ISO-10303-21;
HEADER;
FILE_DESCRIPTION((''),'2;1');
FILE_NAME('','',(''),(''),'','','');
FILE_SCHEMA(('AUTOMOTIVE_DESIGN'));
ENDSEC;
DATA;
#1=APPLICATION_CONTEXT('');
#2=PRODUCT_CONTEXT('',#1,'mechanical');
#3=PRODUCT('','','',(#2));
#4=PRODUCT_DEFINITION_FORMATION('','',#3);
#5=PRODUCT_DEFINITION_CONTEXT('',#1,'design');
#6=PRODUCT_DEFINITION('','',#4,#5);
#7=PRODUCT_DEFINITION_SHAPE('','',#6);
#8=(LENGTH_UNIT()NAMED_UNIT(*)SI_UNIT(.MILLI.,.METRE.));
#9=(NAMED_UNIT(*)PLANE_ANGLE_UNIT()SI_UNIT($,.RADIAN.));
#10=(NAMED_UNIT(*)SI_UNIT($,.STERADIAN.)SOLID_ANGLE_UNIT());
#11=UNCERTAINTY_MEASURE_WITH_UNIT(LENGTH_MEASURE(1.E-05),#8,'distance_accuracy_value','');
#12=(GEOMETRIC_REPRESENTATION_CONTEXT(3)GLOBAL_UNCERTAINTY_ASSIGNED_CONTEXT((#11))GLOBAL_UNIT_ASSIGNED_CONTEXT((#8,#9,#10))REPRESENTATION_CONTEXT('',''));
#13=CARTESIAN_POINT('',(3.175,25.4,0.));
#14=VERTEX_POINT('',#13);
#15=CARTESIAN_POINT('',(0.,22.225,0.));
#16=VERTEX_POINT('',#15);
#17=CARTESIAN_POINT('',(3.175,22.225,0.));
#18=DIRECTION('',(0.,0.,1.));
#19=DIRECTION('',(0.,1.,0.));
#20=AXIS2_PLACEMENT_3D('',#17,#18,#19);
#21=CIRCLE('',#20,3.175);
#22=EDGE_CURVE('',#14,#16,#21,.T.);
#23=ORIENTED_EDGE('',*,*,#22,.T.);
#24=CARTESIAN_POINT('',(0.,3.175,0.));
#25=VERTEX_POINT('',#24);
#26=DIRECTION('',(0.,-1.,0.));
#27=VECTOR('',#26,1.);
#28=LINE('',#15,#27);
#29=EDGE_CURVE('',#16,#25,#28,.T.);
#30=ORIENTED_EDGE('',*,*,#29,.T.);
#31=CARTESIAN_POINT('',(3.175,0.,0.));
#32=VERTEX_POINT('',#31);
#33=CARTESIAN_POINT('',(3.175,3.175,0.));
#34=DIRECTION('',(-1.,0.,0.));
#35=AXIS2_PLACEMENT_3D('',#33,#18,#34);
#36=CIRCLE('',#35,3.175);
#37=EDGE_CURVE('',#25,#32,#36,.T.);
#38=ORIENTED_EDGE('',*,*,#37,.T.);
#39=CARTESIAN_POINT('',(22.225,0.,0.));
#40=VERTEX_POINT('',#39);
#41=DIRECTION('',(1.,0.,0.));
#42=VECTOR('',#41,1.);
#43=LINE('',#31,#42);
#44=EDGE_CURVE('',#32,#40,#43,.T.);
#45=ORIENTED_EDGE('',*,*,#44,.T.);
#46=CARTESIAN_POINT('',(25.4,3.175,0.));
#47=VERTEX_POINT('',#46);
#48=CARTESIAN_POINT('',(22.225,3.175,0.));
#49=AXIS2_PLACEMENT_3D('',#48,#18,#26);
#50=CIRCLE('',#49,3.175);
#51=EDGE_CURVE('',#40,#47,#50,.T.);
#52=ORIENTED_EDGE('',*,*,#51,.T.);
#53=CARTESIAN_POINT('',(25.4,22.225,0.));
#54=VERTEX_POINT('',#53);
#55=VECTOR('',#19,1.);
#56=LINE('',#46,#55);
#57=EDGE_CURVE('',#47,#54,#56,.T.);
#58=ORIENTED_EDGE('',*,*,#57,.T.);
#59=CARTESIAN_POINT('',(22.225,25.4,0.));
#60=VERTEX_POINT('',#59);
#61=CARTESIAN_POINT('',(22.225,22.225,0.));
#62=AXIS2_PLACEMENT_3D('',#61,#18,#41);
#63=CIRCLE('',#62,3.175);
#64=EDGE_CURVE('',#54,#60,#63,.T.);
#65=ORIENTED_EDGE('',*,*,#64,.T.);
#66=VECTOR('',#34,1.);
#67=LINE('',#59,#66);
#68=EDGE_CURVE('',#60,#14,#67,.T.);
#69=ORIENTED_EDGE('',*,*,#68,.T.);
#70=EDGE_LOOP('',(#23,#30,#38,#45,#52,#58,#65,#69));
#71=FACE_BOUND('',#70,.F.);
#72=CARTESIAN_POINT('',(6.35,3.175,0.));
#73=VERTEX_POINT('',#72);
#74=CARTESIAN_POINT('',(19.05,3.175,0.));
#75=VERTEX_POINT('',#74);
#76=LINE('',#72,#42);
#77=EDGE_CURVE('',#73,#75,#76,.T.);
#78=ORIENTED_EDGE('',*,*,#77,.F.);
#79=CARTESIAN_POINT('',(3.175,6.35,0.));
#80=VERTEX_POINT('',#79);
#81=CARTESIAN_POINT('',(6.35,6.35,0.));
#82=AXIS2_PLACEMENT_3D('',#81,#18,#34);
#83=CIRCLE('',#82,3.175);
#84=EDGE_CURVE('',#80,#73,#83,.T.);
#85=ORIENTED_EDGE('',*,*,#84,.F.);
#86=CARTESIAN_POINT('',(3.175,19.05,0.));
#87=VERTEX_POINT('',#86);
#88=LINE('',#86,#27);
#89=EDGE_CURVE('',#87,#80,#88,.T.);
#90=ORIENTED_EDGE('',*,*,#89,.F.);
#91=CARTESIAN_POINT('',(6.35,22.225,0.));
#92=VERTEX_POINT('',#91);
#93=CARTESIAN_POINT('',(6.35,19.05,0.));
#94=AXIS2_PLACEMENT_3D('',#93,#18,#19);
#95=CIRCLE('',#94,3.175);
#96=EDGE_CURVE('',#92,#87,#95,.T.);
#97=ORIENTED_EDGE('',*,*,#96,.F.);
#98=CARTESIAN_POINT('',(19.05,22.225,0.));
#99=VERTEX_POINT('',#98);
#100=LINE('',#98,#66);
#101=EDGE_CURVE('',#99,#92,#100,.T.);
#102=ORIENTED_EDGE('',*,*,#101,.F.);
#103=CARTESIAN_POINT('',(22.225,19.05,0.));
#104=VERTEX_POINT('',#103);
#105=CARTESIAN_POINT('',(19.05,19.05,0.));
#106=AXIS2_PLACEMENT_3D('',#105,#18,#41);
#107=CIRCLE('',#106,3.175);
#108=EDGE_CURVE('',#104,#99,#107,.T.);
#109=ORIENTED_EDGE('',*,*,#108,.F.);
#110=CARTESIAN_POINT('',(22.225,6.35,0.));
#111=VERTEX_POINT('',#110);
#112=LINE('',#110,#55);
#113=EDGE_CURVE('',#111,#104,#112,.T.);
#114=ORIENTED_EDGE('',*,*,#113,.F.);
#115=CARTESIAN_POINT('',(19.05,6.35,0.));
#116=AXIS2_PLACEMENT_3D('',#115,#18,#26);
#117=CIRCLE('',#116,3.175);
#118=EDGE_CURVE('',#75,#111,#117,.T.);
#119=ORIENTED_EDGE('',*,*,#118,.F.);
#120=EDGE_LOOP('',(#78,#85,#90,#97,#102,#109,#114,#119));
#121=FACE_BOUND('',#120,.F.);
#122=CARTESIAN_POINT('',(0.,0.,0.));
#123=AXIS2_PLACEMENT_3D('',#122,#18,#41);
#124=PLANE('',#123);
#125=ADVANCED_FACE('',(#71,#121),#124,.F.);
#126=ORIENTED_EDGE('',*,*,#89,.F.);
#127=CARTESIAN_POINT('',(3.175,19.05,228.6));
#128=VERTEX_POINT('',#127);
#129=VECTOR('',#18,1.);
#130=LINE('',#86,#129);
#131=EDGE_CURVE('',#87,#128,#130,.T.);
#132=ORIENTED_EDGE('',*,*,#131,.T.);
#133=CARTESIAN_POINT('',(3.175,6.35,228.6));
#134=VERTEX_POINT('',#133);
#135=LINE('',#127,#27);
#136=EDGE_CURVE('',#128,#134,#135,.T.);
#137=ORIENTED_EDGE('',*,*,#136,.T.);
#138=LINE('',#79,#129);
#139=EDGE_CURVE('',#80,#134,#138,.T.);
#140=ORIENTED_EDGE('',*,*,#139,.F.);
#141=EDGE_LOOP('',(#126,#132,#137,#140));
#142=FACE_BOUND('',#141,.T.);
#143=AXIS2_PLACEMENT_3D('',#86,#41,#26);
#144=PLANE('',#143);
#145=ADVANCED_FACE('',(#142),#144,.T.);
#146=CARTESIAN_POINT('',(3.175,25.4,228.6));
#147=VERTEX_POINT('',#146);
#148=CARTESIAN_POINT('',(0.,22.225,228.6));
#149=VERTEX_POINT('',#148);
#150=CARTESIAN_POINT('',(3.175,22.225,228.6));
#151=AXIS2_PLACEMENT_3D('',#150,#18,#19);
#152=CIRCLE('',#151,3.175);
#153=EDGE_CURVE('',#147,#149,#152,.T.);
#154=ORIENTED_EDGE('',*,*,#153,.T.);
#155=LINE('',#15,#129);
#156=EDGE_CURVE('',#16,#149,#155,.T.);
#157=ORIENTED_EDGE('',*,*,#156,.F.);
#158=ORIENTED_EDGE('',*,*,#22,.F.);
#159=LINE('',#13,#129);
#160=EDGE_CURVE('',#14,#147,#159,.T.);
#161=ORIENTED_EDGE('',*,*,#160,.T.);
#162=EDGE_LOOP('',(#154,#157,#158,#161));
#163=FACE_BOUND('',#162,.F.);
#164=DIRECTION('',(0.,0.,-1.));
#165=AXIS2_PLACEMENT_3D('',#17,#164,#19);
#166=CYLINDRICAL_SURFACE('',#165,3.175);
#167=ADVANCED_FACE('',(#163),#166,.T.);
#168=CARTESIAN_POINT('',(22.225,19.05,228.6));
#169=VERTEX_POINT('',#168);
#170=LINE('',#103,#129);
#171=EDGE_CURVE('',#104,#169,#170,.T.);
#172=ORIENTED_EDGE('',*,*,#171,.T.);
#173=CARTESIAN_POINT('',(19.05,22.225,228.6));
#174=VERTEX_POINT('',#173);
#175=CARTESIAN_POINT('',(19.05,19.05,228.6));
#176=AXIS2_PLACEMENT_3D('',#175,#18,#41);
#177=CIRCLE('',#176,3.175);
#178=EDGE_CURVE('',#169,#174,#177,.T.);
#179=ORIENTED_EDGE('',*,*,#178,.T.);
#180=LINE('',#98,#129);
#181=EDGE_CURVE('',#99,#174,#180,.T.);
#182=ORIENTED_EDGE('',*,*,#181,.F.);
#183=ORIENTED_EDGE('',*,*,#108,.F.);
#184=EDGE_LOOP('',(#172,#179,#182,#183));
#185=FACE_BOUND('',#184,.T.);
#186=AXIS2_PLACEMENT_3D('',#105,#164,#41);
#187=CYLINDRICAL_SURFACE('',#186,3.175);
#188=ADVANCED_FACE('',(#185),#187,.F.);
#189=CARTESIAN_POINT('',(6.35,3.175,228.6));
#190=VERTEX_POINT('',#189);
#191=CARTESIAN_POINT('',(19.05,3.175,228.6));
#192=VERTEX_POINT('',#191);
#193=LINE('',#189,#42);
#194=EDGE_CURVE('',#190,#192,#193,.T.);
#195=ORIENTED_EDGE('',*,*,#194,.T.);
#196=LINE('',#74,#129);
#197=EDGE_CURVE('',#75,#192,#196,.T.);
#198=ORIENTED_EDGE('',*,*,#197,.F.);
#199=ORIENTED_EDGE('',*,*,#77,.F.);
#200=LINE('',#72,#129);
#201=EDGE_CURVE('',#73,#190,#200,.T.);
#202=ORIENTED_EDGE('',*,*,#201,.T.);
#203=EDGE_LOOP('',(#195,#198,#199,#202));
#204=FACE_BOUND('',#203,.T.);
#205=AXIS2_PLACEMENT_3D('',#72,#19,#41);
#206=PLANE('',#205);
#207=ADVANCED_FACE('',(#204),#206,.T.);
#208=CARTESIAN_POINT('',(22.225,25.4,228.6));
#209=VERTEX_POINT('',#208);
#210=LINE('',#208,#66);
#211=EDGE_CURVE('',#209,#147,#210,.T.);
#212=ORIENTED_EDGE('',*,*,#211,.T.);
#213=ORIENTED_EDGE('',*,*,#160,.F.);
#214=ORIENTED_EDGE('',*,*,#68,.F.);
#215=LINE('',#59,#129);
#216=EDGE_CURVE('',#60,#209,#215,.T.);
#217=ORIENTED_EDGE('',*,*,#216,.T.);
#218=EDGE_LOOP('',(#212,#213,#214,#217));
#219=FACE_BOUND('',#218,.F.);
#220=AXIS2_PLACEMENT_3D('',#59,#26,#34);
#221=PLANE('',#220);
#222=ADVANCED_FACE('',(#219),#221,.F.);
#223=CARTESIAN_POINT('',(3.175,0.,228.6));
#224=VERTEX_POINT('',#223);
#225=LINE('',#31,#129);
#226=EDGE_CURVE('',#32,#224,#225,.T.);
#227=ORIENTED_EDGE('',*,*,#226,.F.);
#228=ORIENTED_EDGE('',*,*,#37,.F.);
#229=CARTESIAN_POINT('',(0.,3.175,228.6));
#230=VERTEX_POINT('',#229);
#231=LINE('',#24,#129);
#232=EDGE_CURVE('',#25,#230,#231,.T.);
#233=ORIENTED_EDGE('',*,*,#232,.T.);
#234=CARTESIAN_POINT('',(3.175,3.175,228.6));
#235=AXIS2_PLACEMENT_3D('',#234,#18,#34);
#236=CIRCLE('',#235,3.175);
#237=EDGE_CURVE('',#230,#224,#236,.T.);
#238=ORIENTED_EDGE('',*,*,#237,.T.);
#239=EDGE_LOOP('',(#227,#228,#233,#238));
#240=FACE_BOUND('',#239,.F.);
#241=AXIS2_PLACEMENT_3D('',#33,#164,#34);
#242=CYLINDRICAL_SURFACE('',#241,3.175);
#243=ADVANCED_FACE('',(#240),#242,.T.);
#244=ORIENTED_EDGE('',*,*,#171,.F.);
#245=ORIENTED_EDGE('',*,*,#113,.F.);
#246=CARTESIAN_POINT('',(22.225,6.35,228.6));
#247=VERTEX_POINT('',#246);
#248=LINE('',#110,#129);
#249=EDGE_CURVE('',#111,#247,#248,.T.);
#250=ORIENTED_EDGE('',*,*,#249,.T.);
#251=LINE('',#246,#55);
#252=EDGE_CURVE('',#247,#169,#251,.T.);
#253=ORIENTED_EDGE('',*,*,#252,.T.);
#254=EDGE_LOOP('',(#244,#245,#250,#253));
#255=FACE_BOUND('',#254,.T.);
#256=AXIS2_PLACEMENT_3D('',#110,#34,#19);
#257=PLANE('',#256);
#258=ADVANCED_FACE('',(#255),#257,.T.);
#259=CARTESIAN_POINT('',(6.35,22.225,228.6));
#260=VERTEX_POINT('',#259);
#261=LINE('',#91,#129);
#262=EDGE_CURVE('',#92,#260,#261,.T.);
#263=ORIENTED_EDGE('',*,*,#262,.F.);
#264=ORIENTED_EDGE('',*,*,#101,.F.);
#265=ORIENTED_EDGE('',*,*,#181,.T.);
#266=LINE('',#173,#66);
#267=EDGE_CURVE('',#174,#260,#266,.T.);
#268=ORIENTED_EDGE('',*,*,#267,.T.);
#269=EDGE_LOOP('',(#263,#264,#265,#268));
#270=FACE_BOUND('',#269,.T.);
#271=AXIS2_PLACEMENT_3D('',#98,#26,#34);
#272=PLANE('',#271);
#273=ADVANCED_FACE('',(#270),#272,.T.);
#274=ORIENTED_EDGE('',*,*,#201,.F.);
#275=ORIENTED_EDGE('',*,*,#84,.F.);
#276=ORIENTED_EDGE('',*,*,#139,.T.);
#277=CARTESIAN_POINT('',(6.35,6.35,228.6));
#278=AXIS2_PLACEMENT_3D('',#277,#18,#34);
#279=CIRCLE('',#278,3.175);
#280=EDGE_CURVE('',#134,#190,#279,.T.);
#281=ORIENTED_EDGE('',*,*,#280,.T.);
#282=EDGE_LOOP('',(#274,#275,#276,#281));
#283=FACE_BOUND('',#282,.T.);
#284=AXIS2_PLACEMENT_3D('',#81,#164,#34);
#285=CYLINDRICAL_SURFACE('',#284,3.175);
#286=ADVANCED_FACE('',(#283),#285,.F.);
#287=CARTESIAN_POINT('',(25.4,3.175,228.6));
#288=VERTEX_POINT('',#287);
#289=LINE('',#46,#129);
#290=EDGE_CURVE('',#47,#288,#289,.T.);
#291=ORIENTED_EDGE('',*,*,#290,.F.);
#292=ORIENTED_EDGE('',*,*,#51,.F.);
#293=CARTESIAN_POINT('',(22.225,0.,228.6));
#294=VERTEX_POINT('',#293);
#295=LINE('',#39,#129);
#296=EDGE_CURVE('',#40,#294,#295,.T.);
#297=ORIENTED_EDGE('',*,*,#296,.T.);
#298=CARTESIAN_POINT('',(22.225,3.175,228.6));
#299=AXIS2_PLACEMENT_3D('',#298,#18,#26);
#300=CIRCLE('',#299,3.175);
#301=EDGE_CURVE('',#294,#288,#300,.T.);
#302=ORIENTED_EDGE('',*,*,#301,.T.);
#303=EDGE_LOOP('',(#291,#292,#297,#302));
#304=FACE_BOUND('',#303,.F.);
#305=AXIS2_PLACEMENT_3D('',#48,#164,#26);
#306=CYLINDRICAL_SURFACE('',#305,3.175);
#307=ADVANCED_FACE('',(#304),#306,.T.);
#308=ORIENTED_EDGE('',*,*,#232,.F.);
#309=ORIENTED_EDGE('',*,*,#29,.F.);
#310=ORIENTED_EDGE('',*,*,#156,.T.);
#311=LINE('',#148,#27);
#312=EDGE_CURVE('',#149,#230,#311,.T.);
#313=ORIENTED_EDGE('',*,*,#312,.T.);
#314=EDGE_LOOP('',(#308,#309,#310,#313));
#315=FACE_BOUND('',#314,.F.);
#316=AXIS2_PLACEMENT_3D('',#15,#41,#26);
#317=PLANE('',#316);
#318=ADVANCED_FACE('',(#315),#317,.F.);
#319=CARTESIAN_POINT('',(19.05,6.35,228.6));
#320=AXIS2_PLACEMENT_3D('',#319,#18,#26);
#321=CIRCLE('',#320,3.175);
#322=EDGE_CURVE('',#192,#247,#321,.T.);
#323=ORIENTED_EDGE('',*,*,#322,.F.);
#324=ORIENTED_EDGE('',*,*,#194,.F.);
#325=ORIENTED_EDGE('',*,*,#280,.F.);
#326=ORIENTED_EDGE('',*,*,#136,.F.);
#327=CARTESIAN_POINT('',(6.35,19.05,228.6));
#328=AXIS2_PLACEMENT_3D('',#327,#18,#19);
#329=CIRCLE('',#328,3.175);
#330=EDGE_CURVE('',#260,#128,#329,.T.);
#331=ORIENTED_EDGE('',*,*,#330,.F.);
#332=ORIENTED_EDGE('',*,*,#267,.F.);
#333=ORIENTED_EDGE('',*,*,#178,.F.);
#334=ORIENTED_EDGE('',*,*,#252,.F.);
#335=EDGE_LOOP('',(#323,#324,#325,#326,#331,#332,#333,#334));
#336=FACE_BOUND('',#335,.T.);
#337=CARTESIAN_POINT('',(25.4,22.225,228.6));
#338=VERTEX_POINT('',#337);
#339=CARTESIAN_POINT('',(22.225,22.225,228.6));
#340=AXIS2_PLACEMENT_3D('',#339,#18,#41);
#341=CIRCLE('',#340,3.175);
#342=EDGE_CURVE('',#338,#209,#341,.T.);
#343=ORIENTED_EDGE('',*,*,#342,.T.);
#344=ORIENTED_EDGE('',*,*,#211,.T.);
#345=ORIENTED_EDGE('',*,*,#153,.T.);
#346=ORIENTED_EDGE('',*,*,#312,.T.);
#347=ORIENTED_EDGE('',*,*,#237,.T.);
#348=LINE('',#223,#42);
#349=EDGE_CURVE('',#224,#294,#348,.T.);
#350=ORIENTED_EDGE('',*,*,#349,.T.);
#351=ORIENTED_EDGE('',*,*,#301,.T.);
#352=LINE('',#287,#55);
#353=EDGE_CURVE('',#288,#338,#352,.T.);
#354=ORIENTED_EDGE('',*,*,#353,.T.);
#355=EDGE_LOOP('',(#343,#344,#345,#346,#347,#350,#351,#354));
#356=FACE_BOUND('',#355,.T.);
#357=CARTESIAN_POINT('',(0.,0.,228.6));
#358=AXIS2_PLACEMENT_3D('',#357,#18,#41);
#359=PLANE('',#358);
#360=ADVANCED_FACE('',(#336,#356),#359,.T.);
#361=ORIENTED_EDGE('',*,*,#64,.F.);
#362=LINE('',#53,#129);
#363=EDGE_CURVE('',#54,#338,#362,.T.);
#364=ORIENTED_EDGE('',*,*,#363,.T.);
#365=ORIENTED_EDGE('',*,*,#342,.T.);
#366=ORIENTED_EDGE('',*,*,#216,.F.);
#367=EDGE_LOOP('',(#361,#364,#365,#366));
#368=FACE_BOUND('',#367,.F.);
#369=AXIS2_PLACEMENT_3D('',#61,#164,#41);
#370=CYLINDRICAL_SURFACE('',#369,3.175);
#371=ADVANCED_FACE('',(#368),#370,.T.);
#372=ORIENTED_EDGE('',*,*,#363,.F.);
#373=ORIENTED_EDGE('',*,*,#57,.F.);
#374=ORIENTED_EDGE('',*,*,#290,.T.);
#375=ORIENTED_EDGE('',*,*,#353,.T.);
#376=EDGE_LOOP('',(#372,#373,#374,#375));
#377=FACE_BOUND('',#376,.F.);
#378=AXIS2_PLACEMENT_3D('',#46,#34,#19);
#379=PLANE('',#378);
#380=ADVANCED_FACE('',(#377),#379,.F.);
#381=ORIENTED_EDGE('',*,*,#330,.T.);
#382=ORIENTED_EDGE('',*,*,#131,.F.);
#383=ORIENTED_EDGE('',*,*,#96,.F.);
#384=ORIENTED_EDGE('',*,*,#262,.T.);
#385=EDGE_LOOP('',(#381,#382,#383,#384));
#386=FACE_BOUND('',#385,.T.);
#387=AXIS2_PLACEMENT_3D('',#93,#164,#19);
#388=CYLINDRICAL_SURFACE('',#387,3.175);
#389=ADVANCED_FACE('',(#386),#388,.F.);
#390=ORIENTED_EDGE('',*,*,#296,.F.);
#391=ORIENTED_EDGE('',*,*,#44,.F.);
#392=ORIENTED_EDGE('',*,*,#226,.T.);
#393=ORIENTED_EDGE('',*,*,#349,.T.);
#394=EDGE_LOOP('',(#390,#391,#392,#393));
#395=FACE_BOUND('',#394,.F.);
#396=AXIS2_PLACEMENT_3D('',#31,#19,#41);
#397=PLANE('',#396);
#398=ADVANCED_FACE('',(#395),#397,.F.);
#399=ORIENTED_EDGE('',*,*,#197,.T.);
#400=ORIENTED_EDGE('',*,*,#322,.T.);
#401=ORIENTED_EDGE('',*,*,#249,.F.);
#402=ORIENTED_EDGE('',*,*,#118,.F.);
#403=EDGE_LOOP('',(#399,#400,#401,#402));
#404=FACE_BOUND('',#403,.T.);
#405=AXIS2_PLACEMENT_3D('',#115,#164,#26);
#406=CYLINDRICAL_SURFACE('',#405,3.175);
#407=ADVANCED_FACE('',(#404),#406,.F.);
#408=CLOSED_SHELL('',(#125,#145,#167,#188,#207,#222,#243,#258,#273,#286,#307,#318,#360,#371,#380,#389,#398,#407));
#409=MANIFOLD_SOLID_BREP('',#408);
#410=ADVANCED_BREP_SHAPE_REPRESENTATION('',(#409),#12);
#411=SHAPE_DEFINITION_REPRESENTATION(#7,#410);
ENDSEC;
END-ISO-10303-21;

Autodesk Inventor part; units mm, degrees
ref_plane "YZ Plane" through (0, 0, 0) normal (1, 0, 0) x (0, 1, 0)
ref_plane "XZ Plane" through (0, 0, 0) normal (0, 1, 0) x (-1, 0, 0)
ref_plane "XY Plane" through (0, 0, 0) normal (0, 0, 1) x (1, 0, 0)
sketch "Sketch1" plane through (0, 0, 0) normal (0, 0, 1) x (1, 0, 0)
  line L0 (3.175, 0) -> (22.225, 0)
  line L1 (25.4, 3.175) -> (25.4, 22.225)
  line L2 (22.225, 25.4) -> (3.175, 25.4)
  line L3 (0, 22.225) -> (0, 3.175)
  arc A0 (3.175, 25.4) -> (0, 22.225) centre (3.175, 22.225) ccw
  arc A1 (25.4, 22.225) -> (22.225, 25.4) centre (22.225, 22.225) ccw
  arc A2 (22.225, 0) -> (25.4, 3.175) centre (22.225, 3.175) ccw
  arc A3 (0, 3.175) -> (3.175, 0) centre (3.175, 3.175) ccw
  line L4 (6.35, 3.175) -> (19.05, 3.175)
  line L5 (22.225, 6.35) -> (22.225, 19.05)
  line L6 (19.05, 22.225) -> (6.35, 22.225)
  line L7 (3.175, 19.05) -> (3.175, 6.35)
  arc A4 (6.35, 22.225) -> (3.175, 19.05) centre (6.35, 19.05) ccw
  arc A5 (19.05, 3.175) -> (22.225, 6.35) centre (19.05, 6.35) ccw
  arc A6 (22.225, 19.05) -> (19.05, 22.225) centre (19.05, 19.05) ccw
  arc A7 (3.175, 6.35) -> (6.35, 3.175) centre (6.35, 6.35) ccw
  point P0 (0, 0)
  point P1 (25.4, 25.4)
  point P2 (25.4, 0)
  point P3 (0, 25.4)
  dimension "d0" = 25.4
  dimension "d1" = 25.4
  dimension "d2" = 3.175
  dimension "d3" = 3.175
extrude "Extrusion1" add sketch "Sketch1" along normal blind 228.6
properties part number "HeelBar"
